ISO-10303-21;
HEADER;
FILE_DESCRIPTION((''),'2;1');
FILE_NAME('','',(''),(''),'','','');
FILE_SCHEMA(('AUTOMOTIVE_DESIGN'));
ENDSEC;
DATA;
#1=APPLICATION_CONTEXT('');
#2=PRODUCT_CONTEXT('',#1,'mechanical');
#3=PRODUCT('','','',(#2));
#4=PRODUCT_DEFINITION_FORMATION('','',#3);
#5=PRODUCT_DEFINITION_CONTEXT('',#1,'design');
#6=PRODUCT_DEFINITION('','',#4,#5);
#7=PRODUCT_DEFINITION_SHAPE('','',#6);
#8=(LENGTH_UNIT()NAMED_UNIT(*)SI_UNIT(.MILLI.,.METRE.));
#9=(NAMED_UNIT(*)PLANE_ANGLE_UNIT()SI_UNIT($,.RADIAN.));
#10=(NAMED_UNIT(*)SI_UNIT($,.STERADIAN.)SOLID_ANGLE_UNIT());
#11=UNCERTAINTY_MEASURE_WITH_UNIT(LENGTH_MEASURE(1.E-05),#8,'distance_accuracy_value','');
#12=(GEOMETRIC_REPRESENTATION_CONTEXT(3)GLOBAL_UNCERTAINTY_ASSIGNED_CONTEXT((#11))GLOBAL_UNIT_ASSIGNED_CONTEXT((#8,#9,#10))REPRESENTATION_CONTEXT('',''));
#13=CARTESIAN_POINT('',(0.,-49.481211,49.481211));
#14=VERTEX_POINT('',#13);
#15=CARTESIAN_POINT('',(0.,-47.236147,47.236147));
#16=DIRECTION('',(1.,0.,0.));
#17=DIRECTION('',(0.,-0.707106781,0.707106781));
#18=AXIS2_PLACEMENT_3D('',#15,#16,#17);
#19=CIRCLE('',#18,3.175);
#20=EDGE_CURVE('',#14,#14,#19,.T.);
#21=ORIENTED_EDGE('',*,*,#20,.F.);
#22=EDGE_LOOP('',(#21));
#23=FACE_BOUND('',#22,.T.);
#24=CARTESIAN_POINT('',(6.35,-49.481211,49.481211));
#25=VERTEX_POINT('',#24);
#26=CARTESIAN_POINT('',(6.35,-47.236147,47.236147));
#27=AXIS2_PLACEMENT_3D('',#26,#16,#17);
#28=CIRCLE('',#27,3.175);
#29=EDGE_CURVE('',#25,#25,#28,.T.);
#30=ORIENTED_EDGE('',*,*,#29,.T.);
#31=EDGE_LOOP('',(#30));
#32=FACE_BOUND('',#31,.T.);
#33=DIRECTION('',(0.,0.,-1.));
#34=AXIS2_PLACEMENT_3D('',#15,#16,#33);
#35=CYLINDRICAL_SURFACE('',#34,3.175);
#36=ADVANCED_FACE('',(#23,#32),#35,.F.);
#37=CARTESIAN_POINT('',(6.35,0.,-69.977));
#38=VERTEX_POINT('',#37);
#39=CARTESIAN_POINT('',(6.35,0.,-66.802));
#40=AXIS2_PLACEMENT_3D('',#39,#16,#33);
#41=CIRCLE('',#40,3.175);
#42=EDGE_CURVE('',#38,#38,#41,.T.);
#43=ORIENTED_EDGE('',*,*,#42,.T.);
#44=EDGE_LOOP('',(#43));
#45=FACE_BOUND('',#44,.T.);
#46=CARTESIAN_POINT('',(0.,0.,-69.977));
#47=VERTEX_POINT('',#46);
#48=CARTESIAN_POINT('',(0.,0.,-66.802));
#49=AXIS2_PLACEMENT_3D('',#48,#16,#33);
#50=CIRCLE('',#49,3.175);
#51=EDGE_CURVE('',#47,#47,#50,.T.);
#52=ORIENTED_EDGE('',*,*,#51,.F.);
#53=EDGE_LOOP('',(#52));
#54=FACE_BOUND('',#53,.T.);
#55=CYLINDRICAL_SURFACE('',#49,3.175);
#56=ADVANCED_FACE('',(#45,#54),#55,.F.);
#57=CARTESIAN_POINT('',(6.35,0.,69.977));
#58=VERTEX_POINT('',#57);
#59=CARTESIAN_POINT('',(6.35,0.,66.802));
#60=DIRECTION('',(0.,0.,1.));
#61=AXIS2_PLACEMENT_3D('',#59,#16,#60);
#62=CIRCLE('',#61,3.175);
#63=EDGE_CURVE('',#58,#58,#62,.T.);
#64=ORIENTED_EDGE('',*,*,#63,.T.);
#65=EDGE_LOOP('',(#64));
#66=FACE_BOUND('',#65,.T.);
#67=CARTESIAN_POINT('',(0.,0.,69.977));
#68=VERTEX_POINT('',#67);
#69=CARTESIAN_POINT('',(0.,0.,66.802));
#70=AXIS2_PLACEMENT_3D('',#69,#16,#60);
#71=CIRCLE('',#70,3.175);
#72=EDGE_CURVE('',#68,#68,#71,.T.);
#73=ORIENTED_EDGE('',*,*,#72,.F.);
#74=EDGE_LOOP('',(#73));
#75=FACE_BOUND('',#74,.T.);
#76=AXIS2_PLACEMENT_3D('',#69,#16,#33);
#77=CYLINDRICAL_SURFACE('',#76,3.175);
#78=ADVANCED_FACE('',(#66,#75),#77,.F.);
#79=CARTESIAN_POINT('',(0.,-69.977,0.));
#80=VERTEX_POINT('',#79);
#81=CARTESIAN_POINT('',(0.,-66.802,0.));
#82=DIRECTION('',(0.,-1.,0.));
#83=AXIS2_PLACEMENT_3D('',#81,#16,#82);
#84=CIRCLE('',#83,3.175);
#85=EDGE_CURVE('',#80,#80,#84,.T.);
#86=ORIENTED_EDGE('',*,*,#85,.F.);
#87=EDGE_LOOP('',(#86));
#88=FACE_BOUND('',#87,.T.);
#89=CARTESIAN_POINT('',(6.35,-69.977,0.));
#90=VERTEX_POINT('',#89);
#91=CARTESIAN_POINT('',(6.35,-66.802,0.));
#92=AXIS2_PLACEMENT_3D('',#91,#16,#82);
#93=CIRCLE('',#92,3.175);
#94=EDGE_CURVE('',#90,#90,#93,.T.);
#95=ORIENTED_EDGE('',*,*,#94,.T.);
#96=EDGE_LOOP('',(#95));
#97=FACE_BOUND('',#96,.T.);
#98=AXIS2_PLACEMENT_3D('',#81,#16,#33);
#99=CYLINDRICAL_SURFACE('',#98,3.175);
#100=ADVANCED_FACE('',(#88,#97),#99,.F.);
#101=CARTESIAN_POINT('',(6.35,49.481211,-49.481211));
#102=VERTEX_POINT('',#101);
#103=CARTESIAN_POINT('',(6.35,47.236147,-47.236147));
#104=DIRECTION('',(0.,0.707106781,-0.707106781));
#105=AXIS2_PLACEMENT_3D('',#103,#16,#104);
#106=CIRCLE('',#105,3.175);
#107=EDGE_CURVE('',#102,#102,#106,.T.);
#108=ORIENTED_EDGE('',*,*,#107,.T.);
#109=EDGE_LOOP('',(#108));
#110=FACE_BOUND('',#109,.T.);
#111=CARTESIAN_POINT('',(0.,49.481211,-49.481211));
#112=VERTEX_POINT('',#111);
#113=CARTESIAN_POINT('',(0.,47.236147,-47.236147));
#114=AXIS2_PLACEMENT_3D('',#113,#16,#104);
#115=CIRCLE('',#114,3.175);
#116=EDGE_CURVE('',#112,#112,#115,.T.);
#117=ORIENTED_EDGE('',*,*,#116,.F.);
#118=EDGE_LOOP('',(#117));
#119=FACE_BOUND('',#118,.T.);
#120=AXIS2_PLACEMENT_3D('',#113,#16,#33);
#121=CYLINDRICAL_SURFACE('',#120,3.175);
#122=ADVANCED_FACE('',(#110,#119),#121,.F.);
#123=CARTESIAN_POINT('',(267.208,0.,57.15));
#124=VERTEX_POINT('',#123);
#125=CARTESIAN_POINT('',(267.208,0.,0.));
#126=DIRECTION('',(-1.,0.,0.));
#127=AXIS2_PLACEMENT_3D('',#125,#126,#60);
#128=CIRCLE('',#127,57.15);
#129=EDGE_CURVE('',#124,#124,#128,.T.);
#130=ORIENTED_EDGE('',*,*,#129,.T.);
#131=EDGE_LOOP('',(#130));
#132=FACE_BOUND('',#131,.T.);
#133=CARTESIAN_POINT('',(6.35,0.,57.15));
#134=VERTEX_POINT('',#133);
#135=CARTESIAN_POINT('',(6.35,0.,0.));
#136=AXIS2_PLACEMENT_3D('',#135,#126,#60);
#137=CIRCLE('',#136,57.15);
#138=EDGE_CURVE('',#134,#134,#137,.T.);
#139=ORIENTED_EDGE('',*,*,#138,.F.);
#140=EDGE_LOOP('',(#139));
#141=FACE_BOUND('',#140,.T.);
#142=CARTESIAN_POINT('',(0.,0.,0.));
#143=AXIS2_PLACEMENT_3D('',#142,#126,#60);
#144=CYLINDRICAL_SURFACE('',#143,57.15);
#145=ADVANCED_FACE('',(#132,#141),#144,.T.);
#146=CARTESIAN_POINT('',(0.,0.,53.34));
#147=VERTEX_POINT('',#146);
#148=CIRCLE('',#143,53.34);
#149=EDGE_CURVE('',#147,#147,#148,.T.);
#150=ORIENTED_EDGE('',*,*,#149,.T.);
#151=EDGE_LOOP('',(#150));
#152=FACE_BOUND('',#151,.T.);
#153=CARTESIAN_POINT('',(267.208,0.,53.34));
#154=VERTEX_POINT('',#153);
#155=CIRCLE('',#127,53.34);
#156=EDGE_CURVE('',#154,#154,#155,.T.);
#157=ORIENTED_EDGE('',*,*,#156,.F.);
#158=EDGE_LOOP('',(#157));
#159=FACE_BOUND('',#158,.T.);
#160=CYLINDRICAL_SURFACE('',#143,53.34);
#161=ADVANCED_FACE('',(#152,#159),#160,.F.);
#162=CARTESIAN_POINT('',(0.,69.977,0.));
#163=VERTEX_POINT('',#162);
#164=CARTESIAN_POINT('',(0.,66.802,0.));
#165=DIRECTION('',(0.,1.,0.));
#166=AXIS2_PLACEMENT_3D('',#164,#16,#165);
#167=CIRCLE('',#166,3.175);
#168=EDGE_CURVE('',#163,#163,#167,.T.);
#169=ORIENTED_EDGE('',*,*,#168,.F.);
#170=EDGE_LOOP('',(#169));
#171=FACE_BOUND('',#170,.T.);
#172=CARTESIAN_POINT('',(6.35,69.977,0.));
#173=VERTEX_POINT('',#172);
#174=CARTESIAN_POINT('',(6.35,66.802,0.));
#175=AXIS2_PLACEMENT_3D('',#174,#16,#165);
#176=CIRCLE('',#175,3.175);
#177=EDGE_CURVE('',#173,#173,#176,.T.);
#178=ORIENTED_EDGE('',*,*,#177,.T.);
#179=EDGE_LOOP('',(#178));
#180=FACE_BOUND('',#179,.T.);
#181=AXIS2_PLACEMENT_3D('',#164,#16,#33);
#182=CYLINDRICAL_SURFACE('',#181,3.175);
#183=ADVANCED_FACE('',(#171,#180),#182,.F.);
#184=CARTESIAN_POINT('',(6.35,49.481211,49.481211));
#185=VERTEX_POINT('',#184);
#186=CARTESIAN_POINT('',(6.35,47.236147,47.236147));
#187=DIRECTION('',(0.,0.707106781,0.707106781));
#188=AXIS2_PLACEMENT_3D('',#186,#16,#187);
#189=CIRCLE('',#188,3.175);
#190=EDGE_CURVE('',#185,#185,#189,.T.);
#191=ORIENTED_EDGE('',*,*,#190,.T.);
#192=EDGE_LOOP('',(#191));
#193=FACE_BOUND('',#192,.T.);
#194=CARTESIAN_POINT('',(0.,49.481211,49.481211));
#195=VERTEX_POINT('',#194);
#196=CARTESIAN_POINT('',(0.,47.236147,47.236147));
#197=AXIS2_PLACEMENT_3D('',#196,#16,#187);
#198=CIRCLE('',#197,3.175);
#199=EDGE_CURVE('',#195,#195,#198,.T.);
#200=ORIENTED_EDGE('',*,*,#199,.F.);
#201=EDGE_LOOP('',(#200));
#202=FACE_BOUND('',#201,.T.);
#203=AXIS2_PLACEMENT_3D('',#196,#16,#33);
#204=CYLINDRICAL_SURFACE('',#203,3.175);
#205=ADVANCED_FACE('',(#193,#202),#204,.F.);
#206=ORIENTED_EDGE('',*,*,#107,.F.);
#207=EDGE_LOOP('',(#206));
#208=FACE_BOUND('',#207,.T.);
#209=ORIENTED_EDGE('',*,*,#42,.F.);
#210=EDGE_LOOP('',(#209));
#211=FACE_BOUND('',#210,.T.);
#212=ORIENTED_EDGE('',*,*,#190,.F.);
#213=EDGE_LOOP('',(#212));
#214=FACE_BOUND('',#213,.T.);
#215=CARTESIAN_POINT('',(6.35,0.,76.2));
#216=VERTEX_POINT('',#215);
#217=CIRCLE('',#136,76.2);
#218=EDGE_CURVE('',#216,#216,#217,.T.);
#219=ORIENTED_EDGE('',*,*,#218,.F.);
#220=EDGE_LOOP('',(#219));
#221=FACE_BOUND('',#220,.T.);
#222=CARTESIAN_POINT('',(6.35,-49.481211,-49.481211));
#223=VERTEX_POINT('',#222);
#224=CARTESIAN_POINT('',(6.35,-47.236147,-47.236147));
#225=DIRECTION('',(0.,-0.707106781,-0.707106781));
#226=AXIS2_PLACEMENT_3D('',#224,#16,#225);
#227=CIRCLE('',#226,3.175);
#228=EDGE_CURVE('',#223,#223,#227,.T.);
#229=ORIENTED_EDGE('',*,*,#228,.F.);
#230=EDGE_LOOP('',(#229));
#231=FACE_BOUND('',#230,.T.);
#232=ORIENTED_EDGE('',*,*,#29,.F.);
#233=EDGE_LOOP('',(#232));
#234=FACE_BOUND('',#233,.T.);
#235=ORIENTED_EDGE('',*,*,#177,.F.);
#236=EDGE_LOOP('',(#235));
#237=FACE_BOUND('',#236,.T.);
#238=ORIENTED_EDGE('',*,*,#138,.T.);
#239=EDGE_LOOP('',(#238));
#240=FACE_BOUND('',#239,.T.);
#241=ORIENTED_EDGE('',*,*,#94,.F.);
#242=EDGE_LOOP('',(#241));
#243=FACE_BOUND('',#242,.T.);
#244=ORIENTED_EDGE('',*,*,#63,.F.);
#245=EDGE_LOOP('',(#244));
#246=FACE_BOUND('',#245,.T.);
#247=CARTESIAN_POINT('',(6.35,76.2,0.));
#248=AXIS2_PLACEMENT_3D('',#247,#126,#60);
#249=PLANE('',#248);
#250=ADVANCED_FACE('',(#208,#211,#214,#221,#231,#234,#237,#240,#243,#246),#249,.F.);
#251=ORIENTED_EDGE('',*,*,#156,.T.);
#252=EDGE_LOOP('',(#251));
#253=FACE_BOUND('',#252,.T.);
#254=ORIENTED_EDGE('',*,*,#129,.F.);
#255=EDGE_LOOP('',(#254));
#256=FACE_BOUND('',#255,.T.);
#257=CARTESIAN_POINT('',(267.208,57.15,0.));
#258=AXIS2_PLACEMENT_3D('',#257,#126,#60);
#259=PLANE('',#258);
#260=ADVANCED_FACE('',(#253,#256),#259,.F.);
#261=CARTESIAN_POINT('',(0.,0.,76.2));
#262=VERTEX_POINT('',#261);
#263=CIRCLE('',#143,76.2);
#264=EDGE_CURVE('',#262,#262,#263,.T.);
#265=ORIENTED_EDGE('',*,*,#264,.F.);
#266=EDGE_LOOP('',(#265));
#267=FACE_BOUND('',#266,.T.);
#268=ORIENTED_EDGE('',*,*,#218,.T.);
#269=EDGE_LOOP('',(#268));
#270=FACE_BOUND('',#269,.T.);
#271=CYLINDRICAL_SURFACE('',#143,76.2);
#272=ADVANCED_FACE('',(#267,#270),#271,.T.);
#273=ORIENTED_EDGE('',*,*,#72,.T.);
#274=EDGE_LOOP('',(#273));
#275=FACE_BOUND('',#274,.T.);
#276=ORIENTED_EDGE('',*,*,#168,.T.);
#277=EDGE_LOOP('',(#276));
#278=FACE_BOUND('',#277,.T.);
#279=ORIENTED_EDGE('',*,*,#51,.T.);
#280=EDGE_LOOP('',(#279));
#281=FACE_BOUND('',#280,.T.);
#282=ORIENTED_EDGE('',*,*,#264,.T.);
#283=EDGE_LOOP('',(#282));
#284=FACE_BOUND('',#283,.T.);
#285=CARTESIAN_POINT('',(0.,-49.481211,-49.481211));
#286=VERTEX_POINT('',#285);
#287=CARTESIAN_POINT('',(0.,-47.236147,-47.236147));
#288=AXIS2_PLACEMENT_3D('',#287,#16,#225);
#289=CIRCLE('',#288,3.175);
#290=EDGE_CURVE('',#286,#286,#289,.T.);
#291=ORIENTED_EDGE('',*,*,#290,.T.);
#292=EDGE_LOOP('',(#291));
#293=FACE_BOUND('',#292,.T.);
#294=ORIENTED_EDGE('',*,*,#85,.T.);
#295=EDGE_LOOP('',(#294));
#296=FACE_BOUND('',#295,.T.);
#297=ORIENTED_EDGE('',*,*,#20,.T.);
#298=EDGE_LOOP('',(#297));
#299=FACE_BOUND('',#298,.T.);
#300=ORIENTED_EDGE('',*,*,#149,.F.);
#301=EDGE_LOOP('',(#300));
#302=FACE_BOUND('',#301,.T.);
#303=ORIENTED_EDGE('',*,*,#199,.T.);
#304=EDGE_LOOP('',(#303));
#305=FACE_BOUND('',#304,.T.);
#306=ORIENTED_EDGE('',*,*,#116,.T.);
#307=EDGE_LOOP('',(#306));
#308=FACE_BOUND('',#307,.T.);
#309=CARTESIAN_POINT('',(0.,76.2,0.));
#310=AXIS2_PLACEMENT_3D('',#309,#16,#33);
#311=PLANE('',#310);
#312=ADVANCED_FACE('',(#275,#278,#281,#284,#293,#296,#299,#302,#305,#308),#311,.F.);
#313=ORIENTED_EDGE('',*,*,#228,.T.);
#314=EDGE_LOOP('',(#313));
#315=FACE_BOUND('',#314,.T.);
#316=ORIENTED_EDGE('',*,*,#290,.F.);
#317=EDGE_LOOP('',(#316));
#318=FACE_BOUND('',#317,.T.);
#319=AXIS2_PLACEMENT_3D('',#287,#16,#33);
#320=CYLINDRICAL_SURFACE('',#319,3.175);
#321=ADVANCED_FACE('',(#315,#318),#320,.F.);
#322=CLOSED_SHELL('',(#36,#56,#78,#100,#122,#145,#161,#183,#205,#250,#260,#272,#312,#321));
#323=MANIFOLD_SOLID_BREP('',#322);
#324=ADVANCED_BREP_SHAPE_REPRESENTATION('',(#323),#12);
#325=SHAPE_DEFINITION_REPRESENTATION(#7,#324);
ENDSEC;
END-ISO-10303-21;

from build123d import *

# Parameters (mm, degrees)
SKETCH2_R          = 3.175
CUT_EXTRUDE1_DEPTH = 283.24063521
CIRPATTERN1_COUNT  = 8


with BuildPart() as part:
    # Sketch1 → Revolve1 (revolve)
    with BuildSketch(Plane.XY, mode=Mode.PRIVATE) as revolve1_sk:
        Polygon((0, 76.2), (6.35, 76.2), (6.35, 57.15), (267.208, 57.15), (267.208, 53.34), (0, 53.34), align=None)
    revolve(revolve1_sk.sketch.rotate(Axis((0, 0, 0), (1, 0, 0)), 90), axis=Axis((0, 0, 0), (1, 0, 0)))

    # Sketch2 → Cut-Extrude1 (cut, through all)
    with BuildSketch(Plane(origin=(6.35, 0, 0), x_dir=(0, 0, -1), z_dir=(1, 0, 0))):
        with Locations((66.802, 0)):
            Circle(SKETCH2_R)
    cut_extrude1 = extrude(amount=-CUT_EXTRUDE1_DEPTH, mode=Mode.SUBTRACT)

    # CirPattern1: Cut-Extrude1 ×8 about axis
    cirpattern1_axis = Axis((0, 0, 0), (1, 0, 0))
    for i in range(1, CIRPATTERN1_COUNT):
        add(cut_extrude1.rotate(cirpattern1_axis, i * 360 / CIRPATTERN1_COUNT), mode=Mode.SUBTRACT)


solid = part.part
